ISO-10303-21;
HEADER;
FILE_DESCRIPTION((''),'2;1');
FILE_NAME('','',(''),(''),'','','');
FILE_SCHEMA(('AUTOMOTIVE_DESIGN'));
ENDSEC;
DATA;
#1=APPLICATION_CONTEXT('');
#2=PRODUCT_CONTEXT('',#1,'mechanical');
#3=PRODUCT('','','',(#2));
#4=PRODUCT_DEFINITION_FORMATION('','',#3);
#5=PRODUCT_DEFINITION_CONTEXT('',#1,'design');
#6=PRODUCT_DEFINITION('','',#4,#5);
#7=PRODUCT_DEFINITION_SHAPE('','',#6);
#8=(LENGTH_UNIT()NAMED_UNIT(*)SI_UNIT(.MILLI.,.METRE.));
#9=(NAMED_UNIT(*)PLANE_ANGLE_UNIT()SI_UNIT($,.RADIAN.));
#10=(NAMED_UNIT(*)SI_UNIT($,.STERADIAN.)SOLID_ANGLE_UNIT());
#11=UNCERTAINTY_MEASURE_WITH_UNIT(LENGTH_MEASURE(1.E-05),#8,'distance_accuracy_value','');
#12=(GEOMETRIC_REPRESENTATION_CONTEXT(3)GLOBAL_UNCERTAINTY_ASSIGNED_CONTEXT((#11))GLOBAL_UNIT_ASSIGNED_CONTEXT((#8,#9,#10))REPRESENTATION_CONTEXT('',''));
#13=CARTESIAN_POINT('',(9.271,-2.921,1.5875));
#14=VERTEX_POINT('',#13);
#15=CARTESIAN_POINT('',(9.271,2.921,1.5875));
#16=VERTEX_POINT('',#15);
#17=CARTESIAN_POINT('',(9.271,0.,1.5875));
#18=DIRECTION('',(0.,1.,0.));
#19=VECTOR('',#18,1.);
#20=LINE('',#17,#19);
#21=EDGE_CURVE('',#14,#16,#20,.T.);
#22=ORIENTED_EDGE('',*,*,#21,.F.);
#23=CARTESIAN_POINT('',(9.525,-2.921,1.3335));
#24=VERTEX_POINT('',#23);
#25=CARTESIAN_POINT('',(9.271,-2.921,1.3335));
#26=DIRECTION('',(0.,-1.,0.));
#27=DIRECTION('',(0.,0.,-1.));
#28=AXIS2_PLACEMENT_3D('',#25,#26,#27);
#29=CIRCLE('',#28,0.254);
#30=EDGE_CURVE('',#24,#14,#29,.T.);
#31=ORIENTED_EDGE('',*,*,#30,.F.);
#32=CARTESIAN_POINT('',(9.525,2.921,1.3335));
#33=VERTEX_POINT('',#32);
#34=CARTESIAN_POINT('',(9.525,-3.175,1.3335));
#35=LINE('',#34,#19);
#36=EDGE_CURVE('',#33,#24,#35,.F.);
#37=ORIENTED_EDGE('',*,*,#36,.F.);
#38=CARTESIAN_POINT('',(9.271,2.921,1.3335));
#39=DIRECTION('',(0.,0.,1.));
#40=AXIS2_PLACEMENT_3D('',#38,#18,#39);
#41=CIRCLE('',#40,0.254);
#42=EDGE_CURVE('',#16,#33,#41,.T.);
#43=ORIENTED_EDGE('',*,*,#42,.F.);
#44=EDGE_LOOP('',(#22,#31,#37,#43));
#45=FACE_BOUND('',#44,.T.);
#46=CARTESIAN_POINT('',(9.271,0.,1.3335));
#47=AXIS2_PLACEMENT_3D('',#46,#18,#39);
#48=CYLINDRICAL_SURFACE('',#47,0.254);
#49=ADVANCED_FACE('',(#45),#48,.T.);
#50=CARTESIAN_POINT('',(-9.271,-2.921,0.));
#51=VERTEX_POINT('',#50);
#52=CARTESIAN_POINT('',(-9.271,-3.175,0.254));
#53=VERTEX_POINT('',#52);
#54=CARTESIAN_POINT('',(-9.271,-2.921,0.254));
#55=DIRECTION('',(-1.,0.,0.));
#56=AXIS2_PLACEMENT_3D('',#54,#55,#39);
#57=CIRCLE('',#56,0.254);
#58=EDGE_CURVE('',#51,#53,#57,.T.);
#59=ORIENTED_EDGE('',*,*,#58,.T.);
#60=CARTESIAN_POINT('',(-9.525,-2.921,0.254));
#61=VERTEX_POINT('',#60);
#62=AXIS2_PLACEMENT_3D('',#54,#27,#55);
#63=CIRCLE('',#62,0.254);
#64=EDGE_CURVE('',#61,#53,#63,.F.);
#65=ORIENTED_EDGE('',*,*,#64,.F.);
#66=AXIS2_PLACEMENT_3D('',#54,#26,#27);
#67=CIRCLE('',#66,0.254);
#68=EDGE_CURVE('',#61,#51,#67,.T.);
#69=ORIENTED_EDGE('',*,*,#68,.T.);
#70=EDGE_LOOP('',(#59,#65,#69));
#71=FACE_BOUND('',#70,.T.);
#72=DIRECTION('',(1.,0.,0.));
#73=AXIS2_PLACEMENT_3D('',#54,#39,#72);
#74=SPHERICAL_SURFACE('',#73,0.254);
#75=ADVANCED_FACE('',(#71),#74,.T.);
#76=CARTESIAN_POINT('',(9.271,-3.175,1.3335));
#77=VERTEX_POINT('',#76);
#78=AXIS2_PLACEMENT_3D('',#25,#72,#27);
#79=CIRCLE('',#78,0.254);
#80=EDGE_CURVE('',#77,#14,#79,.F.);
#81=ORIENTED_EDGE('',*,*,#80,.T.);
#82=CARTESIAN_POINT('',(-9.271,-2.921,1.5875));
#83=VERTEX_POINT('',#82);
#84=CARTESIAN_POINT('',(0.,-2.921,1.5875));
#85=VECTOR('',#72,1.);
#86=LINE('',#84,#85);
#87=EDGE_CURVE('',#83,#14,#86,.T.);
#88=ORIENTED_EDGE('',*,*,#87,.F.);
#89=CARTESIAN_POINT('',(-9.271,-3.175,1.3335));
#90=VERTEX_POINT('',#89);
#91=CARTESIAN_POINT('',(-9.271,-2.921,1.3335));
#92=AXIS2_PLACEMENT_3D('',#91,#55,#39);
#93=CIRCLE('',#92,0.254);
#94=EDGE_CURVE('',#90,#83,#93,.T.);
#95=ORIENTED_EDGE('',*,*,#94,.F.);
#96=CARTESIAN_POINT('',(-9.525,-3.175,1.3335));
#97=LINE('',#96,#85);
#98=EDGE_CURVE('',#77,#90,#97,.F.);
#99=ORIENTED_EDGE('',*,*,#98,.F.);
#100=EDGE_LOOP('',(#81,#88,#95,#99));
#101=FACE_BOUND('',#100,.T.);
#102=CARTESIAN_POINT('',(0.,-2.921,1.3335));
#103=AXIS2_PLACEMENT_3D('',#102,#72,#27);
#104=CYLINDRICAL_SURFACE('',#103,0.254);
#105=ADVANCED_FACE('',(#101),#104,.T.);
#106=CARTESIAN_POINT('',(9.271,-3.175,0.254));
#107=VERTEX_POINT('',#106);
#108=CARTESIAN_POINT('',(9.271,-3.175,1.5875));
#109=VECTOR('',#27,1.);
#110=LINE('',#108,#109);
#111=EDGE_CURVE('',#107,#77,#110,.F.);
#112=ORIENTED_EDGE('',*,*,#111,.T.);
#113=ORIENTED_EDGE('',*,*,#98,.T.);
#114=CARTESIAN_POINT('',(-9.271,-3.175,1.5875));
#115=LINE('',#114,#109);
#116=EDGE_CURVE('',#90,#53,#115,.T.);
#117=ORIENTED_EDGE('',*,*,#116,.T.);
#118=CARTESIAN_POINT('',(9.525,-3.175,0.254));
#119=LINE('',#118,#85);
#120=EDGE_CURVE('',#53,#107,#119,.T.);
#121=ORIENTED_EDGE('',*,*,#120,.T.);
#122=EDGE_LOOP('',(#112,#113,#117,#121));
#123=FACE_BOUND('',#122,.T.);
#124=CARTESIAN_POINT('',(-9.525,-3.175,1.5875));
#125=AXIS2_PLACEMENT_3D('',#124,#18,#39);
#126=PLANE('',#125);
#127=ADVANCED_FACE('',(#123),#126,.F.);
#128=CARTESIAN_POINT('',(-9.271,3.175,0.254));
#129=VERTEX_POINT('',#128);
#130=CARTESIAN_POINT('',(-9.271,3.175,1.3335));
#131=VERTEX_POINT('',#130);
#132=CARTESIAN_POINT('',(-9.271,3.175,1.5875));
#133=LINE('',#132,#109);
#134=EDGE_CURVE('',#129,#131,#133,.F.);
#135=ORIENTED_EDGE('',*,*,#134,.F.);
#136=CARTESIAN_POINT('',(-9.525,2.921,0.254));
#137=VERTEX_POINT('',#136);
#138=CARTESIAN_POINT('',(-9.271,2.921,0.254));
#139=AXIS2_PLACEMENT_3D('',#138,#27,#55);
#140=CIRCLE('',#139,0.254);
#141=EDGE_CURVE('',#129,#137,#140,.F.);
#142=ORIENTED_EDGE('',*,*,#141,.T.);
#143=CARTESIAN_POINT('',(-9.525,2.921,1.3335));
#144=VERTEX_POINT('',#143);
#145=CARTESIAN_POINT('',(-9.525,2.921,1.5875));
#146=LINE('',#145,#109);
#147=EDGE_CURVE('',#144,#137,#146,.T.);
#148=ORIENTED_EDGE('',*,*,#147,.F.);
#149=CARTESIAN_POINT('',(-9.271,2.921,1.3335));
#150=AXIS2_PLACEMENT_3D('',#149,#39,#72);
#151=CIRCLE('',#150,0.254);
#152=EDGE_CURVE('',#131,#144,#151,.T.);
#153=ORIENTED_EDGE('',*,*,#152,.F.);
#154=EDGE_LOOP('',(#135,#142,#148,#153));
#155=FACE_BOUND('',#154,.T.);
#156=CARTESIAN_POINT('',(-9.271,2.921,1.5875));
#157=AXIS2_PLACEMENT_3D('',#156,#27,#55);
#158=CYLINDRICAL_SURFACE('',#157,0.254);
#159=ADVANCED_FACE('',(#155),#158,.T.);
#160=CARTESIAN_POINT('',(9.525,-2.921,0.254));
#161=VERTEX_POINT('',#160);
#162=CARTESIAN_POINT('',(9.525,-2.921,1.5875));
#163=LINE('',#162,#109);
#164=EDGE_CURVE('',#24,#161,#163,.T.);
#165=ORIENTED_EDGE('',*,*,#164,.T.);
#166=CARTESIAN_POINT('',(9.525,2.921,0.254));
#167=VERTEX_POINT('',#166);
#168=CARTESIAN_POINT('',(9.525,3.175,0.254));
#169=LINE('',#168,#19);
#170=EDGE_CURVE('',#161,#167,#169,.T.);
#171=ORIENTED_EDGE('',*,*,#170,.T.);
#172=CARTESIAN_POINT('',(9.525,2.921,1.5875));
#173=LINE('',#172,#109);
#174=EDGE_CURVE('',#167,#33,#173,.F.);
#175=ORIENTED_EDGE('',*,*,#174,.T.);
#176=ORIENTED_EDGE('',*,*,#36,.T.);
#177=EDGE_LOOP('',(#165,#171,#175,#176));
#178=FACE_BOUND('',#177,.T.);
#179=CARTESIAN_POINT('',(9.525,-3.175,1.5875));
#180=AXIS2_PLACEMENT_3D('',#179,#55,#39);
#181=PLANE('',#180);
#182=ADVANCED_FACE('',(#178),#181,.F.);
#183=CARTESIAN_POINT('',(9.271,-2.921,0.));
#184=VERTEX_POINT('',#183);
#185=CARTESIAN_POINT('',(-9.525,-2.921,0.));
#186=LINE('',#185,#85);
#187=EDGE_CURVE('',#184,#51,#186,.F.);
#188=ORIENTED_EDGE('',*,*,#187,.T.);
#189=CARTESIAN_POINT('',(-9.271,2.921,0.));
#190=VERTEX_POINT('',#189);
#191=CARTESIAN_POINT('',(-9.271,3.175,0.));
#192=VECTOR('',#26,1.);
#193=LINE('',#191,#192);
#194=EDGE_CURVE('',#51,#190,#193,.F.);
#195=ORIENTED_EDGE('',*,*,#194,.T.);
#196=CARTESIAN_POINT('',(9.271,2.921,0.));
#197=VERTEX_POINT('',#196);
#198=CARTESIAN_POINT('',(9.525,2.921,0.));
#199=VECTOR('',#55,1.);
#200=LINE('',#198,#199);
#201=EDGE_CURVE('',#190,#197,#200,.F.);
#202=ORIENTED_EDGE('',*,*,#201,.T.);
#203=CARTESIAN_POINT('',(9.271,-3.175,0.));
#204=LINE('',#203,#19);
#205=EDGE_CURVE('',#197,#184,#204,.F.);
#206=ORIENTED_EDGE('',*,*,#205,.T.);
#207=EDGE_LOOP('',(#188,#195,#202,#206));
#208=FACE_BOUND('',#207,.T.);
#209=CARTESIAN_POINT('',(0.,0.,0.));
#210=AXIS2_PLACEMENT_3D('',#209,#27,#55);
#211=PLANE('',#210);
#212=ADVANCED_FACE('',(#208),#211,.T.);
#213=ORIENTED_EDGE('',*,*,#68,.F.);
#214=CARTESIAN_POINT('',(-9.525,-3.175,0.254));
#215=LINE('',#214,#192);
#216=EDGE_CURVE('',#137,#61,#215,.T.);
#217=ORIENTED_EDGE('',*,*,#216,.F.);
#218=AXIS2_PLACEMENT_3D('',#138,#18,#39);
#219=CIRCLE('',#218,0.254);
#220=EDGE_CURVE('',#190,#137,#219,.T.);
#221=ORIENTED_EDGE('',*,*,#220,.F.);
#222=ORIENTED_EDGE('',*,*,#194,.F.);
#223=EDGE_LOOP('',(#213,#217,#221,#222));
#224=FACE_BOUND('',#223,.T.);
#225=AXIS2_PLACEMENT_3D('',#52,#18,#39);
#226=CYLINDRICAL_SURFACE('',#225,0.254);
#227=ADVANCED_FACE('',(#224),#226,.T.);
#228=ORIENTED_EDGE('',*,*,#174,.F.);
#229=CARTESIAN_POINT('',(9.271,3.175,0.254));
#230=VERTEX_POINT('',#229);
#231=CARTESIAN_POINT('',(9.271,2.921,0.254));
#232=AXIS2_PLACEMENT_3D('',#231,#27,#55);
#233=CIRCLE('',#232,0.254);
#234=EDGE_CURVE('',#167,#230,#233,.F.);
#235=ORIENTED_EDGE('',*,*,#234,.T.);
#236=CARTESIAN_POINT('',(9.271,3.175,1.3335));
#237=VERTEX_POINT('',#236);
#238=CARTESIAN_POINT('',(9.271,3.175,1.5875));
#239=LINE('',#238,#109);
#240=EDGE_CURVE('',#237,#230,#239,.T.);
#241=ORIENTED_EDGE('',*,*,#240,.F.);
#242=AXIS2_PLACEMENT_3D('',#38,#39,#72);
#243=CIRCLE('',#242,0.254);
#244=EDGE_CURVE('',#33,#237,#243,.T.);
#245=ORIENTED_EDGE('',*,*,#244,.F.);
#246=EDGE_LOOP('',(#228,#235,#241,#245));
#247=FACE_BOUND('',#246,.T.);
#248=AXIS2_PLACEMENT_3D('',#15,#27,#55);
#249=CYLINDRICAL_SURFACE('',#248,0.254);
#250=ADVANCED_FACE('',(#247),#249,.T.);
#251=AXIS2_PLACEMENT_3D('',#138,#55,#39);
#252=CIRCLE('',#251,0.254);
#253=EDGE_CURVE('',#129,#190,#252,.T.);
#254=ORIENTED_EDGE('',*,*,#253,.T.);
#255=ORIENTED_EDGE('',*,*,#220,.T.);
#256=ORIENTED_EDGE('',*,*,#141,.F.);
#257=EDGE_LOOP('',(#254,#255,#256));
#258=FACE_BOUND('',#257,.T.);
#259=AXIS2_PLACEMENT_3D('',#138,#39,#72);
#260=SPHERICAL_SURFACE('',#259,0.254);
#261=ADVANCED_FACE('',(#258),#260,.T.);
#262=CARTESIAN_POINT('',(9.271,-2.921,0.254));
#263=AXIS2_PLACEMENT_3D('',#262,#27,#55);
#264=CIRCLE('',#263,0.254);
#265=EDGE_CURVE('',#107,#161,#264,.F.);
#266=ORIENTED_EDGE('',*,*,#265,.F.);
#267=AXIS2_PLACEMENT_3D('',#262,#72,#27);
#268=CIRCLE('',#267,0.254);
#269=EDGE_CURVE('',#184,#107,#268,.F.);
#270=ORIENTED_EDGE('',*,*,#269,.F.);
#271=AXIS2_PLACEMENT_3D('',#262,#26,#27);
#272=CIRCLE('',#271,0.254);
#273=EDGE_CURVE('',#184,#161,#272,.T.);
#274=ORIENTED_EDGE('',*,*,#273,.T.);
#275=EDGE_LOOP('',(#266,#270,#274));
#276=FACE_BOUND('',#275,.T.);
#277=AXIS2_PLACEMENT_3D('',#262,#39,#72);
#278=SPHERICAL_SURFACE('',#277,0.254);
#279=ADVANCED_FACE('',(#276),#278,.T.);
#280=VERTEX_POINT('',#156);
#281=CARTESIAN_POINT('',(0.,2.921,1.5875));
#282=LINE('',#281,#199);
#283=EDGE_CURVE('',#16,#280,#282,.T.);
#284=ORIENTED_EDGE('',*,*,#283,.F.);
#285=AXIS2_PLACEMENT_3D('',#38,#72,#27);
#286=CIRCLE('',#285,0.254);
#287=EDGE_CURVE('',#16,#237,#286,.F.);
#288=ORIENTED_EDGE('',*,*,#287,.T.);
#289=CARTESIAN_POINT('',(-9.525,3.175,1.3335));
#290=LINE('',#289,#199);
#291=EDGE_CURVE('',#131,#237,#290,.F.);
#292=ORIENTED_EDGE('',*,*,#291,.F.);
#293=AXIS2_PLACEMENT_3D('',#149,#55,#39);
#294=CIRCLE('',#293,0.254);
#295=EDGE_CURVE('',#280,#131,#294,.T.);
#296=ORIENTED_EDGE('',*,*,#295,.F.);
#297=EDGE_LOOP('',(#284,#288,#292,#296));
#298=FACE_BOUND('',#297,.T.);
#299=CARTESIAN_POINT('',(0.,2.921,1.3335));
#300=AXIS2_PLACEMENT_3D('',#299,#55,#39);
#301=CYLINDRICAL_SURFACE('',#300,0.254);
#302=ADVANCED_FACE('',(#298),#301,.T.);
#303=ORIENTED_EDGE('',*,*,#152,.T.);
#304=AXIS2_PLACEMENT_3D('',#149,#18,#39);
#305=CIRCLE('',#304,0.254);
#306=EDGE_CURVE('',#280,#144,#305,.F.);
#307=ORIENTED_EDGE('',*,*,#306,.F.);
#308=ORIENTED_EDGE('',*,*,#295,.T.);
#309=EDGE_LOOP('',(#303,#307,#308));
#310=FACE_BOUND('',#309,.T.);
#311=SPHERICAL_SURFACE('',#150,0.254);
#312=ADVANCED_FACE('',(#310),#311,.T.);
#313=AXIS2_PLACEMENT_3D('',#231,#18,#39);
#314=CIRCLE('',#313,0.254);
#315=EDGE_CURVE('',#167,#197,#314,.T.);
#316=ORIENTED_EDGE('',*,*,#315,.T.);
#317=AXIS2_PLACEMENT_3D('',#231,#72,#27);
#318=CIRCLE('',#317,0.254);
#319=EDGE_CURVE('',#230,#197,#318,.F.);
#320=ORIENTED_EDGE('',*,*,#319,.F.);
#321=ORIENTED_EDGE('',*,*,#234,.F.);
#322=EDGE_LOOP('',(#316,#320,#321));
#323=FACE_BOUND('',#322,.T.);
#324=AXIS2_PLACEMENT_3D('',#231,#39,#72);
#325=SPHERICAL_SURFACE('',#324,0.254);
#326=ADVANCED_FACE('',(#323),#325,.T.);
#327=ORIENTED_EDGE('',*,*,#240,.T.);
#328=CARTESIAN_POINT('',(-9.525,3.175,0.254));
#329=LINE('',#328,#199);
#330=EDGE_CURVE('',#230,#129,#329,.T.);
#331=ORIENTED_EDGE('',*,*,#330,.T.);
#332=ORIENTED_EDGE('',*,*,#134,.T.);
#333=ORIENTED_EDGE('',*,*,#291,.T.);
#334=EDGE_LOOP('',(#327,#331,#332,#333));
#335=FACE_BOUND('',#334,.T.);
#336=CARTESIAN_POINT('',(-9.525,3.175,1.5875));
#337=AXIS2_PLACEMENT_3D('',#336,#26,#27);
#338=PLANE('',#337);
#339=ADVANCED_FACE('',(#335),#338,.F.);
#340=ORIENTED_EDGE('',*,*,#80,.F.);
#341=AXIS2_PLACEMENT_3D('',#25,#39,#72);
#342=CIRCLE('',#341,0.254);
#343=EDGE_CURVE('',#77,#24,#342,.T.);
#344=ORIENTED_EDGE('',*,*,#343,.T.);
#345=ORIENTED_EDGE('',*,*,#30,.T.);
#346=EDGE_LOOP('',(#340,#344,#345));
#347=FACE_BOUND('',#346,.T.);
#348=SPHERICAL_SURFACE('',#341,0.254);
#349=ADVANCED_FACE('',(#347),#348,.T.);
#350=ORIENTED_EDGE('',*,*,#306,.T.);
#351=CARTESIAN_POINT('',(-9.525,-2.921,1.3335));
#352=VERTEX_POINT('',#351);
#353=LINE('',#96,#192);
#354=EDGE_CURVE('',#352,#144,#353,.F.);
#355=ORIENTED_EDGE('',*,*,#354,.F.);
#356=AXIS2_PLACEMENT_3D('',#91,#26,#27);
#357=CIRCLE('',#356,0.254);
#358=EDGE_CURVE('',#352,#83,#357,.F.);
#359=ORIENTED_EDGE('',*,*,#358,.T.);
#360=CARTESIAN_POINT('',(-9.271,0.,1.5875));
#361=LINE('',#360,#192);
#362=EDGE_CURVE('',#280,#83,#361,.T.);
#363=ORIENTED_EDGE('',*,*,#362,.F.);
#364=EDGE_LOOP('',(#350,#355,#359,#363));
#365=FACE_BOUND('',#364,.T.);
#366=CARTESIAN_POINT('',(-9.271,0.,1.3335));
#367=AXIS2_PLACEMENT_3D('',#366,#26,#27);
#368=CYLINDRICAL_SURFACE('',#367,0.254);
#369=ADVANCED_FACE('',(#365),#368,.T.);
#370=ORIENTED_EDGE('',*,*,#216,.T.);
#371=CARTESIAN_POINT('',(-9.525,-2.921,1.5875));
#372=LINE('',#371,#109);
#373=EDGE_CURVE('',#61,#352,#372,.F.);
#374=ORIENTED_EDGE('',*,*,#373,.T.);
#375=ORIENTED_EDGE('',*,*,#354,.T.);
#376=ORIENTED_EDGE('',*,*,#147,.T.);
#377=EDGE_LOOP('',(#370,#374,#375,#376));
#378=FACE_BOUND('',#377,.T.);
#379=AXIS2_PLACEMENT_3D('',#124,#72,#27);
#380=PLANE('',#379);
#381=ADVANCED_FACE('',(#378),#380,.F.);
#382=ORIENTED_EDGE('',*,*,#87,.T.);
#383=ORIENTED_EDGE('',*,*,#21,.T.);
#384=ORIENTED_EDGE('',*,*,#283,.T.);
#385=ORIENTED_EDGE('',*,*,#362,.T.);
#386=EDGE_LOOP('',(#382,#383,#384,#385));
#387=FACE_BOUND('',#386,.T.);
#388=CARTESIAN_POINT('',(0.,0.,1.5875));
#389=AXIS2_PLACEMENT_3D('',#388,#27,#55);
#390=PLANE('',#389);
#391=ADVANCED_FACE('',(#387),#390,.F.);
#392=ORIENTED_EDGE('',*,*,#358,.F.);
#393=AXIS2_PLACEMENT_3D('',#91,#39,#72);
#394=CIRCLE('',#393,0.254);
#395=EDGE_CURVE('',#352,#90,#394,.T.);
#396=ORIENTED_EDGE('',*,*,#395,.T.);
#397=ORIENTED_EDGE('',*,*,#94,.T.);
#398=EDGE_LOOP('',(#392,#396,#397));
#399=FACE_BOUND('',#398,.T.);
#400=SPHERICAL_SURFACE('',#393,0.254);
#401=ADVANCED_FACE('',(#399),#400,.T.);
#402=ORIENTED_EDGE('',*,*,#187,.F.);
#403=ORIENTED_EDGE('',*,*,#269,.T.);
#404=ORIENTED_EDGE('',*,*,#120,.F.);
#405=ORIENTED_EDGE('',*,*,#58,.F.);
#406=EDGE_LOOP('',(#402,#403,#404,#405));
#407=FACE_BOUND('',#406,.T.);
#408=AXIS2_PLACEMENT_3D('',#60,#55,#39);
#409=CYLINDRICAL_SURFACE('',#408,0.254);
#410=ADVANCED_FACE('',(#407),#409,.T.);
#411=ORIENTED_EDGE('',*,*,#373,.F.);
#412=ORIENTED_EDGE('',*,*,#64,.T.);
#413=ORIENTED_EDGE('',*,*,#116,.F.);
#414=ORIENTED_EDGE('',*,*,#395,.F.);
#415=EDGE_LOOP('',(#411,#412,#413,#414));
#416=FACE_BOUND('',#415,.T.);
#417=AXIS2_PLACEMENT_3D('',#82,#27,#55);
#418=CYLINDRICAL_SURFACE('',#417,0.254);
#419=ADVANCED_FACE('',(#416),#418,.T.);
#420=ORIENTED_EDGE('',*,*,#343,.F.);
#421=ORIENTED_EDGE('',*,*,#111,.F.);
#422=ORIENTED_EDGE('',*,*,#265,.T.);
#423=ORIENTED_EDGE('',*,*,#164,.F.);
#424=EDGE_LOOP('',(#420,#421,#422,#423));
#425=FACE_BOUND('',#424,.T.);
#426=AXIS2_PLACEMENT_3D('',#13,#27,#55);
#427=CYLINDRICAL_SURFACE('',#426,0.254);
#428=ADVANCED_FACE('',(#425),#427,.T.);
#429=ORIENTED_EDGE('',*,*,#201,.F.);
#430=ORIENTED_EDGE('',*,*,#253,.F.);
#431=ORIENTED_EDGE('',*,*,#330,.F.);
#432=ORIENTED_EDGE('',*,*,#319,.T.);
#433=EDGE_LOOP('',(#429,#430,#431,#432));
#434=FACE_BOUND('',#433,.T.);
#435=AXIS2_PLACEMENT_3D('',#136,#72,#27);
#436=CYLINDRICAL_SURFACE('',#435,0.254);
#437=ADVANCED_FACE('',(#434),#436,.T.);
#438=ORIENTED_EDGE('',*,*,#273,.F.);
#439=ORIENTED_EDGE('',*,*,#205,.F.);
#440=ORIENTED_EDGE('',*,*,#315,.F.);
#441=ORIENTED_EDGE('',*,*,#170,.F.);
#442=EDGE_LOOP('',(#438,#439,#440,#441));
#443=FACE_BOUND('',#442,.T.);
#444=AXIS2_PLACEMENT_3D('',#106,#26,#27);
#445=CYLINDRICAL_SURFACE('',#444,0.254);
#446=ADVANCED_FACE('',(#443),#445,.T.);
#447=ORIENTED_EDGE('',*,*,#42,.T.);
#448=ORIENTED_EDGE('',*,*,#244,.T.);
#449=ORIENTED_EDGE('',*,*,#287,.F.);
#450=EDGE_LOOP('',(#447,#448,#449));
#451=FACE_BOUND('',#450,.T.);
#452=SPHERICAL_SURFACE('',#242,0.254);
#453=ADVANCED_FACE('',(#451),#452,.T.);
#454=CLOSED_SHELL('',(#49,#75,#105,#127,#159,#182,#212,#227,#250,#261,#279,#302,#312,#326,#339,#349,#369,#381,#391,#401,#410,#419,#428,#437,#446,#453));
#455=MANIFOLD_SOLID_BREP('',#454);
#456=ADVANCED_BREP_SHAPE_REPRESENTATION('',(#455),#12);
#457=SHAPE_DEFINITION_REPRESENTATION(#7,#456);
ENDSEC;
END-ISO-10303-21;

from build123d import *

# Parameters (mm, degrees)
SKETCH1_W           = 19.05
SKETCH1_H           = 6.35
BOSS_EXTRUDE1_DEPTH = 1.5875
FILLET1_R           = 0.254


with BuildPart() as part:
    # Sketch1 → Boss-Extrude1 (new body)
    with BuildSketch(Plane.XY):
        Rectangle(SKETCH1_W, SKETCH1_H)
    extrude(amount=BOSS_EXTRUDE1_DEPTH)

    # Fillet1
    fillet1_edges = [part.edges().sort_by_distance(p)[0] for p in [
        (-9.525, 0, 1.5875),
        (0, -3.175, 1.5875),
        (9.525, 0, 1.5875),
        (0, -3.175, 0),
        (-9.525, 0, 0),
        (0, 3.175, 0),
        (9.525, 0, 0),
        (9.525, -3.175, 0.79375),
        (-9.525, -3.175, 0.79375),
        (-9.525, 3.175, 0.79375),
        (9.525, 3.175, 0.79375),
        (0, 3.175, 1.5875),
    ]]
    fillet(fillet1_edges, radius=FILLET1_R)


solid = part.part
